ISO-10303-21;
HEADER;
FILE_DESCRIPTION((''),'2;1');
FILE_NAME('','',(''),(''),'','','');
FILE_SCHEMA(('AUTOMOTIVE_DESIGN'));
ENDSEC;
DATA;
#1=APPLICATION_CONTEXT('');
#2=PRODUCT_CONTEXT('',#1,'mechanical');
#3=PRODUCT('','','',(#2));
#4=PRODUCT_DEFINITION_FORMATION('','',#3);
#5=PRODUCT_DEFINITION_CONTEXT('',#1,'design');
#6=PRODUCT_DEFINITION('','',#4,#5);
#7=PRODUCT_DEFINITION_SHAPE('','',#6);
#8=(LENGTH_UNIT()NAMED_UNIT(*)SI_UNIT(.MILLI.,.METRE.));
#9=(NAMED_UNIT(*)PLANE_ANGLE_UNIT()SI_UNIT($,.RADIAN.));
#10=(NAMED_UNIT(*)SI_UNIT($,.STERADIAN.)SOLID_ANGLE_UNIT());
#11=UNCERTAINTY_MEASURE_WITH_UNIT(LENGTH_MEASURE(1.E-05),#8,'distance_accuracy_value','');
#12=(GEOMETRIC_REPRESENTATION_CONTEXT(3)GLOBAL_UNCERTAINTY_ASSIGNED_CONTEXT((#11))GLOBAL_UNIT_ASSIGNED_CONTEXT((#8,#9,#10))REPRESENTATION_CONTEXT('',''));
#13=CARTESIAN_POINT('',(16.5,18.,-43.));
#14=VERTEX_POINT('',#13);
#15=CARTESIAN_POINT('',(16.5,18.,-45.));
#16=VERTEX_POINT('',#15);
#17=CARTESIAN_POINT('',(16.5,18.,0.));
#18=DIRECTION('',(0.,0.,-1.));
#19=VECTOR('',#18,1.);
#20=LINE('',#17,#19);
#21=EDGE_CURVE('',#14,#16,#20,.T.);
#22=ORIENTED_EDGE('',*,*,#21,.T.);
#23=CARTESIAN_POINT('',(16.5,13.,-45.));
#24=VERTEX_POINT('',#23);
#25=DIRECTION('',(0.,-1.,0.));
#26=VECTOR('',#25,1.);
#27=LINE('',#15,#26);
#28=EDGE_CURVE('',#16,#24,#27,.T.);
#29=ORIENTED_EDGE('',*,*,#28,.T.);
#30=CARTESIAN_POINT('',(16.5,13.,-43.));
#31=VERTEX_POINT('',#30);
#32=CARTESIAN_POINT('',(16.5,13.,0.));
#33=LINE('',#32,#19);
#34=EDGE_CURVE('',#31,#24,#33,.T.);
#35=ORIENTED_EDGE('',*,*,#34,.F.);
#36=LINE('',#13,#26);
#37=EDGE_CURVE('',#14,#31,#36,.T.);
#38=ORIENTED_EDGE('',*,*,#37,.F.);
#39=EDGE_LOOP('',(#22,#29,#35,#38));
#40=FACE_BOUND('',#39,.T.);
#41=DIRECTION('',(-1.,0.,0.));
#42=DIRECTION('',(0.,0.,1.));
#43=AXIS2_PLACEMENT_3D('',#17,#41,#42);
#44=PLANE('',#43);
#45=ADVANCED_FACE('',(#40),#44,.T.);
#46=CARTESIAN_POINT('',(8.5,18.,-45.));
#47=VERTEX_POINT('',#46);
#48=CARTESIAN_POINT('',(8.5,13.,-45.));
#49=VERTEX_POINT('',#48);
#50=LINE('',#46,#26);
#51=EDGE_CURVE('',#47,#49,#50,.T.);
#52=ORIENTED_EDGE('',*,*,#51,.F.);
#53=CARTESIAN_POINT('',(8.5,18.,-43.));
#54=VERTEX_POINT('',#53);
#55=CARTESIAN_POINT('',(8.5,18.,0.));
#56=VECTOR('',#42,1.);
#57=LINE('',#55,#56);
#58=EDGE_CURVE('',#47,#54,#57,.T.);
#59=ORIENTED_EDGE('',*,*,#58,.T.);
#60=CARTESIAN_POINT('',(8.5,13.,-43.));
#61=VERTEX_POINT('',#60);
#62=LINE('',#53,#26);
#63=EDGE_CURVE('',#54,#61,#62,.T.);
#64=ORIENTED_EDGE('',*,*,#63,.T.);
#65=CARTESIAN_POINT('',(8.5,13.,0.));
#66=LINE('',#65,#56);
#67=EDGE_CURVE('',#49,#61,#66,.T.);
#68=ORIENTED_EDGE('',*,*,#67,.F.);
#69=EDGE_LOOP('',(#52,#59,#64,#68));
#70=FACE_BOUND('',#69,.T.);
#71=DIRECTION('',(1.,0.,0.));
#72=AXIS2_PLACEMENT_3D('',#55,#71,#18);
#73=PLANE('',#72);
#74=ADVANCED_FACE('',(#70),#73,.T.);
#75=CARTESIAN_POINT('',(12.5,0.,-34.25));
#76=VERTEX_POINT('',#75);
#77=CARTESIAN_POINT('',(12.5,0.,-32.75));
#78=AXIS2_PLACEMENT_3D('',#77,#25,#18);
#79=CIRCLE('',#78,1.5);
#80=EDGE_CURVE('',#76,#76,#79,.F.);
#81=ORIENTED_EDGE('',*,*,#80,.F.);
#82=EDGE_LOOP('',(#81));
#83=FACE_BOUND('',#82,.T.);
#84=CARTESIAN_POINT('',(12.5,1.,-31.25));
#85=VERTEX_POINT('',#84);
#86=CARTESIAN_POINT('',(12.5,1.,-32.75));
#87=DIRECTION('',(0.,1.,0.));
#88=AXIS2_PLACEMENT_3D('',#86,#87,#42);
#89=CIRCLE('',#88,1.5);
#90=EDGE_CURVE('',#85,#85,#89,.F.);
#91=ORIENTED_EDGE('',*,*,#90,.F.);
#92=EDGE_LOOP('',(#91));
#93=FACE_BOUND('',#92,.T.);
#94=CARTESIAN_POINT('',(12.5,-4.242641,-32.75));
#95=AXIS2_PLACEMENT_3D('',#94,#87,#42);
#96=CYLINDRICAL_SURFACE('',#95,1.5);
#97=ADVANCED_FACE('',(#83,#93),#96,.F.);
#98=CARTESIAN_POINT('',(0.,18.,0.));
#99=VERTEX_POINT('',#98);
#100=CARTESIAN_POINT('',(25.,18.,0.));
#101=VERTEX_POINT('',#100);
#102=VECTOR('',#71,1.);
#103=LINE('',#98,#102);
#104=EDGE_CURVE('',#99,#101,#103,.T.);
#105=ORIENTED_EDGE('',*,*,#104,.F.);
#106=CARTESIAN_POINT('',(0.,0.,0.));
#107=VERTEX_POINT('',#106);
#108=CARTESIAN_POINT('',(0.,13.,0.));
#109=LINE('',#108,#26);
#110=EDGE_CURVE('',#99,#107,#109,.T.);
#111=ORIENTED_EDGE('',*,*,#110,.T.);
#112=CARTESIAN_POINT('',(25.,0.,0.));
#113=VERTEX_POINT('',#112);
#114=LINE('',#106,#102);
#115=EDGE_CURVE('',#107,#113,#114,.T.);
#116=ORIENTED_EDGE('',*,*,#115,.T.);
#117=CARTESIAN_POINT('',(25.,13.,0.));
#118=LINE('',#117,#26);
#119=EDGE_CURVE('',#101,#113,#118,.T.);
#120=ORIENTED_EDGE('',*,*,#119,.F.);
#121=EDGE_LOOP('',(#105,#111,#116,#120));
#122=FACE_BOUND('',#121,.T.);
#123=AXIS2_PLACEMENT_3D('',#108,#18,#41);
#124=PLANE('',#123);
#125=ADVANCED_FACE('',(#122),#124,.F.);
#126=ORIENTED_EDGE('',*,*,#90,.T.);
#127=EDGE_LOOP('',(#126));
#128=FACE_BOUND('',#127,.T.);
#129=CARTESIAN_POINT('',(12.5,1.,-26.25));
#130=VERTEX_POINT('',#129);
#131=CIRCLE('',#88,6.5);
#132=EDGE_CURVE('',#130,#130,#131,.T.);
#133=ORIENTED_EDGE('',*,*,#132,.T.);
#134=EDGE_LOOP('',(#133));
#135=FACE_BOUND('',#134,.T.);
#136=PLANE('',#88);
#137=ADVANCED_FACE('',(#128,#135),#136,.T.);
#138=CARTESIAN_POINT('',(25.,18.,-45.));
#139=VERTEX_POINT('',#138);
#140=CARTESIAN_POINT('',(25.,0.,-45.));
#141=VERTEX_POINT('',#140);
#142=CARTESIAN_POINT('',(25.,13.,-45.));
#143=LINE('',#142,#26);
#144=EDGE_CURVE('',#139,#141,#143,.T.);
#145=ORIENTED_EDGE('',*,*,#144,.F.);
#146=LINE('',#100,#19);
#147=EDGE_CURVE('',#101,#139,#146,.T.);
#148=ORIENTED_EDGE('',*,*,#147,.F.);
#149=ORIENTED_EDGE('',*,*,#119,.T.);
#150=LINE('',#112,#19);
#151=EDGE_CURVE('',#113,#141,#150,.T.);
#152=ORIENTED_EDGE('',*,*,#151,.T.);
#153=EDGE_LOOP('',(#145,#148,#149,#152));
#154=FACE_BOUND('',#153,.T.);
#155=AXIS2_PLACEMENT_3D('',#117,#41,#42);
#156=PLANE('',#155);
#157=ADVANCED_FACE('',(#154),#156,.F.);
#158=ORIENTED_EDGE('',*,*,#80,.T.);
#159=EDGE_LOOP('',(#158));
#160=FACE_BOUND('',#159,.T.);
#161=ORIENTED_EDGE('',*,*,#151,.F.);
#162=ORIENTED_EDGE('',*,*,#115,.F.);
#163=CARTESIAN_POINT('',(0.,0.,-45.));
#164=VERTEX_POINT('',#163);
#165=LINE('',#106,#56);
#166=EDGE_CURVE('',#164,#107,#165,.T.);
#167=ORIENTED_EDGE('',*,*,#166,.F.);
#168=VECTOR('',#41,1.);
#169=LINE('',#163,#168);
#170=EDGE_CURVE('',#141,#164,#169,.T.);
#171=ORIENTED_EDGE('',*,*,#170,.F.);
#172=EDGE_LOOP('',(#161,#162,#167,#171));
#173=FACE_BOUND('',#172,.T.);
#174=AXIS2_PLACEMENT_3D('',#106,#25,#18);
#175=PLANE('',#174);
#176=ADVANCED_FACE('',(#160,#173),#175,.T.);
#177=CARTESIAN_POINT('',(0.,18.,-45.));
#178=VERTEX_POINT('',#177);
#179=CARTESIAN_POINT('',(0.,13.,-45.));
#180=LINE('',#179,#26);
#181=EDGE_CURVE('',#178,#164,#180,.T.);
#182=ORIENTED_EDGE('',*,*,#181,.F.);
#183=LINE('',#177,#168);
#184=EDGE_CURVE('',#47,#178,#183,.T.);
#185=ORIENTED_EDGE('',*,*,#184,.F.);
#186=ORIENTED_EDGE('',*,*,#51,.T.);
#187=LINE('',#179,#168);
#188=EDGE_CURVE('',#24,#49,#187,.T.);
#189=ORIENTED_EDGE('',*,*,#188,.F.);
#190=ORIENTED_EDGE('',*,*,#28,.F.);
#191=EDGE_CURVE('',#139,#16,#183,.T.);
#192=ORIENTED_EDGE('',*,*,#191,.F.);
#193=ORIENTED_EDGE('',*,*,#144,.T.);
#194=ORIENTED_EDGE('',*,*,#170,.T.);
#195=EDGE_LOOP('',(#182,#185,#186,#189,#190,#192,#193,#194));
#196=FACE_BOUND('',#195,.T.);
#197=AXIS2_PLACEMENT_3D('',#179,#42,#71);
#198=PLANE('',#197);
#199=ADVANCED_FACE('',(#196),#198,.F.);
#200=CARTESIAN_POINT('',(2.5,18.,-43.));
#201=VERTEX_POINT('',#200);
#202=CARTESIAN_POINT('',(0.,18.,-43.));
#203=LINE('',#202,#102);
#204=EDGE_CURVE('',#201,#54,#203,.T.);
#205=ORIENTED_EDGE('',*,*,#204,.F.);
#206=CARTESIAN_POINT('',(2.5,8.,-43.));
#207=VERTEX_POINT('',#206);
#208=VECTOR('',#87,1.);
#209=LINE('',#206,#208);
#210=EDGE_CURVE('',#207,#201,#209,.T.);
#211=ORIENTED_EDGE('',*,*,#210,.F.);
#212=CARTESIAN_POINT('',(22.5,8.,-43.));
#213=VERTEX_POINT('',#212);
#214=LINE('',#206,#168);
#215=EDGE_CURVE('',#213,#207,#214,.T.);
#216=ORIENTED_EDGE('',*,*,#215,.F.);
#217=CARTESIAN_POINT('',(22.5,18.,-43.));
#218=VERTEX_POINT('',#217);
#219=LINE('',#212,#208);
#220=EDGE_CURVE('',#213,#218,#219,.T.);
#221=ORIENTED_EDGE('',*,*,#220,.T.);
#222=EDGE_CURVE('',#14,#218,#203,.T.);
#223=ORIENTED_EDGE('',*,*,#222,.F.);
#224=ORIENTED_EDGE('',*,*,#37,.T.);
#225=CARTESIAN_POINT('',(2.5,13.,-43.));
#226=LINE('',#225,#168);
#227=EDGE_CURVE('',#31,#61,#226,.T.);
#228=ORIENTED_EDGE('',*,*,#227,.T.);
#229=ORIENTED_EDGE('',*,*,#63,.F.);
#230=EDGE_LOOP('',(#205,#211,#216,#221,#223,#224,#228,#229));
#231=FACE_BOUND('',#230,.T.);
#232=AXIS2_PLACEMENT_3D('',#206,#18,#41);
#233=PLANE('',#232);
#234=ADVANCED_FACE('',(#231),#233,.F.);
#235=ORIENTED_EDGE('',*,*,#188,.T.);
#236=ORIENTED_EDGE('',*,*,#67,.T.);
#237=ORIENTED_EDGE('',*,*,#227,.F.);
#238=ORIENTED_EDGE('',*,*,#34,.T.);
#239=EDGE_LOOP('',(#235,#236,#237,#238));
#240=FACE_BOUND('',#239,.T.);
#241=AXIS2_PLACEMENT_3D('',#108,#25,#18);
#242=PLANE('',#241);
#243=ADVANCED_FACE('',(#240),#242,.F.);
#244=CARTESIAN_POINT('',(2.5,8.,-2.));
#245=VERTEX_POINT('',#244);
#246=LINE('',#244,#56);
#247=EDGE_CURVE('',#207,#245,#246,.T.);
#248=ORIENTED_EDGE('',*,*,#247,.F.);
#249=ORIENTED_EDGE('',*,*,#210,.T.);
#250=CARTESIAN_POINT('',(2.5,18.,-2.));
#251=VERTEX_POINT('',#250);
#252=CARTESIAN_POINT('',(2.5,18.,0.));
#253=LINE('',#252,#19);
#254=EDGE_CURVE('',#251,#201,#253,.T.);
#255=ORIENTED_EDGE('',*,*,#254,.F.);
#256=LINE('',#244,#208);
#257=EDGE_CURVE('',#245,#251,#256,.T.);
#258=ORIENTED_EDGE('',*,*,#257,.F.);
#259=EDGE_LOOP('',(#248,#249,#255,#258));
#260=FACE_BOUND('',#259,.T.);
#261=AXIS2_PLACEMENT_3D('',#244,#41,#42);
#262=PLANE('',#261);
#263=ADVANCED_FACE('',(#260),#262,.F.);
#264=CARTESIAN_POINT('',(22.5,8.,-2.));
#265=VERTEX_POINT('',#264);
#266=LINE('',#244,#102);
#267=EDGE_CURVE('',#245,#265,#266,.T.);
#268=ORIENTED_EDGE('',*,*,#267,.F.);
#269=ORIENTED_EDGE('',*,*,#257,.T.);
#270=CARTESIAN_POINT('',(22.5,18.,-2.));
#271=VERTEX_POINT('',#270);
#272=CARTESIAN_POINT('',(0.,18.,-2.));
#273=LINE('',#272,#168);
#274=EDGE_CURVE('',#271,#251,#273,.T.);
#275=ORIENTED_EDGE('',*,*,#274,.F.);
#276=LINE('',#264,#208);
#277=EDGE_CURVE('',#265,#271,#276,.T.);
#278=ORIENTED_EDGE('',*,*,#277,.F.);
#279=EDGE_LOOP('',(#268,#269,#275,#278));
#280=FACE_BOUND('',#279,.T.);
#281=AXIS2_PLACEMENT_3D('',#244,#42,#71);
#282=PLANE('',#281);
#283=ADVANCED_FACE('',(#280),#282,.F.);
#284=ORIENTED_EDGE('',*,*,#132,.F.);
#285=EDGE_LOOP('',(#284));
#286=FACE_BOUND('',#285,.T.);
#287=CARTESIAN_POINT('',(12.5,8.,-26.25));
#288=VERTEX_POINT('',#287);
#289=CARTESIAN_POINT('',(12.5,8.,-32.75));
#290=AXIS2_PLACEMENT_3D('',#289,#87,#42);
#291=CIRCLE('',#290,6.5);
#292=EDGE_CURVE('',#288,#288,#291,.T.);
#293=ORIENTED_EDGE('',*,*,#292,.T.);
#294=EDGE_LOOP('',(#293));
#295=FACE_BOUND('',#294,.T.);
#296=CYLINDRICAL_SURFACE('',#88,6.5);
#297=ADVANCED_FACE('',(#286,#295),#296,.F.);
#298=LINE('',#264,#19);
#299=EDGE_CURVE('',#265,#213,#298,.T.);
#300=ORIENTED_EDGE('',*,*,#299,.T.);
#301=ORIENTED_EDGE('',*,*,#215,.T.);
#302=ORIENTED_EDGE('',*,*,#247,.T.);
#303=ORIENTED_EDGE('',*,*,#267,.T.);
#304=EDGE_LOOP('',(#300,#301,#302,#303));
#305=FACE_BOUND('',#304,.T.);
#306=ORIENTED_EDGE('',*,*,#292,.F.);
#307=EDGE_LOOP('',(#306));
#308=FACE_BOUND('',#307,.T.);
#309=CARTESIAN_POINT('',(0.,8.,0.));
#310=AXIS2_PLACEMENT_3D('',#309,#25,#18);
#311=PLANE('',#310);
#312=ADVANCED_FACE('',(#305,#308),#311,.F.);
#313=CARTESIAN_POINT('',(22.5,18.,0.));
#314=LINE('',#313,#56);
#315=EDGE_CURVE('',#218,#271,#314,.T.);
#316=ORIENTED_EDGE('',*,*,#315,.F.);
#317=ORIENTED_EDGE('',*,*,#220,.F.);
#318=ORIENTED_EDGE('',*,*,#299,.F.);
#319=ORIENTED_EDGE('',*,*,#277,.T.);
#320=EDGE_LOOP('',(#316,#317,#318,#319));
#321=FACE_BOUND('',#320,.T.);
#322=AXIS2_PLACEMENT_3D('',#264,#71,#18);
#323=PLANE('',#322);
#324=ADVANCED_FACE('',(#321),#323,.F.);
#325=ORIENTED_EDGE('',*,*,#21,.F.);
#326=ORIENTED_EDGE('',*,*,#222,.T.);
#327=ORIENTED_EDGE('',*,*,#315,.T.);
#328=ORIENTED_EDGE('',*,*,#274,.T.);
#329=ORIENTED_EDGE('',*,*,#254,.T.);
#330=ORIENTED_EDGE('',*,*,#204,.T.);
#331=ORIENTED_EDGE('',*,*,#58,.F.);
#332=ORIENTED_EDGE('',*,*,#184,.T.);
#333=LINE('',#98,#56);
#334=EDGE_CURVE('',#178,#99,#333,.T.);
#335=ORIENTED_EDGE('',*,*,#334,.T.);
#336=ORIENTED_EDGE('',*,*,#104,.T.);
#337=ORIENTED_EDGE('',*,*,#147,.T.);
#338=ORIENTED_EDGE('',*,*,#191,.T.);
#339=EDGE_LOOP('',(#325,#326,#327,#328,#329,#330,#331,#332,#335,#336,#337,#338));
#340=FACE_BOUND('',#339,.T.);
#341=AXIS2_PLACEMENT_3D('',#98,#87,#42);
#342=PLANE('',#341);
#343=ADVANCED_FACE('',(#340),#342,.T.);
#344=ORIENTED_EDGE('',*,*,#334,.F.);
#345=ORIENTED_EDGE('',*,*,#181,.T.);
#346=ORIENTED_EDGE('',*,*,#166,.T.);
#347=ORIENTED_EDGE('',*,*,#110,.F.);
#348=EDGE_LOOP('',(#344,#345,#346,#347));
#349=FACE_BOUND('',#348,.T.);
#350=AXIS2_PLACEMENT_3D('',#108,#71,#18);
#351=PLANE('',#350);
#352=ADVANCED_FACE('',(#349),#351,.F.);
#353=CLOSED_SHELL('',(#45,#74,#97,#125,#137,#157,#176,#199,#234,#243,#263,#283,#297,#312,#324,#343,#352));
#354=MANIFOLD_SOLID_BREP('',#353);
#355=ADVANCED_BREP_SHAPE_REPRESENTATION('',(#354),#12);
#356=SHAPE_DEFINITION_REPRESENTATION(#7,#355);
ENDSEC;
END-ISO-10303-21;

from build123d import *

# Parameters (mm, degrees)
SKETCH1_W          = 25
SKETCH1_H          = 45
BASE_DEPTH         = 13
SKETCH2_W          = 20
SKETCH2_H          = 41
SEAT_DEPTH         = 5
SKETCH3_R          = 1.5
SCREWHOLE_DEPTH    = 8
SKETCH4_R          = 6.5
SCREWINSET_DEPTH   = 7
SEATSECURITY_DEPTH = 5


with BuildPart() as part:
    # Sketch1 → Base (new body)
    with BuildSketch(Plane(origin=(0, 0, 0), x_dir=(1, 0, 0), z_dir=(0, 1, 0))):
        with Locations((12.5, 22.5)):
            Rectangle(SKETCH1_W, SKETCH1_H)
    extrude(amount=BASE_DEPTH)

    # Sketch2 → Seat (cut)
    with BuildSketch(Plane(origin=(0, 13, 0), x_dir=(1, 0, 0), z_dir=(0, 1, 0))):
        with Locations((12.5, 22.5)):
            Rectangle(SKETCH2_W, SKETCH2_H)
    extrude(amount=-SEAT_DEPTH, mode=Mode.SUBTRACT)

    # Sketch3 → ScrewHole (cut)
    with BuildSketch(Plane(origin=(0, 8, 0), x_dir=(1, 0, 0), z_dir=(0, 1, 0))):
        with Locations(Location((12.5, 32.75, 0), (0, 0, 270))):
            Circle(SKETCH3_R)
    extrude(amount=-SCREWHOLE_DEPTH, mode=Mode.SUBTRACT)

    # Sketch4 → ScrewInset (cut)
    with BuildSketch(Plane(origin=(0, 8, 0), x_dir=(1, 0, 0), z_dir=(0, 1, 0))):
        with Locations(Location((12.5, 32.75, 0), (0, 0, 270))):
            Circle(SKETCH4_R)
    extrude(amount=-SCREWINSET_DEPTH, mode=Mode.SUBTRACT)

    # Sketch6 → SeatSecurity (add)
    with BuildSketch(Plane(origin=(0, 13, 0), x_dir=(1, 0, 0), z_dir=(0, 1, 0))):
        Polygon((2.5, 2), (2.5, 43), (8.5, 43), (8.5, 45), (0, 45), (0, 0), (25, 0), (25, 45), (16.5, 45), (16.5, 43), (22.5, 43), (22.5, 2), align=None)
    extrude(amount=SEATSECURITY_DEPTH)


solid = part.part
